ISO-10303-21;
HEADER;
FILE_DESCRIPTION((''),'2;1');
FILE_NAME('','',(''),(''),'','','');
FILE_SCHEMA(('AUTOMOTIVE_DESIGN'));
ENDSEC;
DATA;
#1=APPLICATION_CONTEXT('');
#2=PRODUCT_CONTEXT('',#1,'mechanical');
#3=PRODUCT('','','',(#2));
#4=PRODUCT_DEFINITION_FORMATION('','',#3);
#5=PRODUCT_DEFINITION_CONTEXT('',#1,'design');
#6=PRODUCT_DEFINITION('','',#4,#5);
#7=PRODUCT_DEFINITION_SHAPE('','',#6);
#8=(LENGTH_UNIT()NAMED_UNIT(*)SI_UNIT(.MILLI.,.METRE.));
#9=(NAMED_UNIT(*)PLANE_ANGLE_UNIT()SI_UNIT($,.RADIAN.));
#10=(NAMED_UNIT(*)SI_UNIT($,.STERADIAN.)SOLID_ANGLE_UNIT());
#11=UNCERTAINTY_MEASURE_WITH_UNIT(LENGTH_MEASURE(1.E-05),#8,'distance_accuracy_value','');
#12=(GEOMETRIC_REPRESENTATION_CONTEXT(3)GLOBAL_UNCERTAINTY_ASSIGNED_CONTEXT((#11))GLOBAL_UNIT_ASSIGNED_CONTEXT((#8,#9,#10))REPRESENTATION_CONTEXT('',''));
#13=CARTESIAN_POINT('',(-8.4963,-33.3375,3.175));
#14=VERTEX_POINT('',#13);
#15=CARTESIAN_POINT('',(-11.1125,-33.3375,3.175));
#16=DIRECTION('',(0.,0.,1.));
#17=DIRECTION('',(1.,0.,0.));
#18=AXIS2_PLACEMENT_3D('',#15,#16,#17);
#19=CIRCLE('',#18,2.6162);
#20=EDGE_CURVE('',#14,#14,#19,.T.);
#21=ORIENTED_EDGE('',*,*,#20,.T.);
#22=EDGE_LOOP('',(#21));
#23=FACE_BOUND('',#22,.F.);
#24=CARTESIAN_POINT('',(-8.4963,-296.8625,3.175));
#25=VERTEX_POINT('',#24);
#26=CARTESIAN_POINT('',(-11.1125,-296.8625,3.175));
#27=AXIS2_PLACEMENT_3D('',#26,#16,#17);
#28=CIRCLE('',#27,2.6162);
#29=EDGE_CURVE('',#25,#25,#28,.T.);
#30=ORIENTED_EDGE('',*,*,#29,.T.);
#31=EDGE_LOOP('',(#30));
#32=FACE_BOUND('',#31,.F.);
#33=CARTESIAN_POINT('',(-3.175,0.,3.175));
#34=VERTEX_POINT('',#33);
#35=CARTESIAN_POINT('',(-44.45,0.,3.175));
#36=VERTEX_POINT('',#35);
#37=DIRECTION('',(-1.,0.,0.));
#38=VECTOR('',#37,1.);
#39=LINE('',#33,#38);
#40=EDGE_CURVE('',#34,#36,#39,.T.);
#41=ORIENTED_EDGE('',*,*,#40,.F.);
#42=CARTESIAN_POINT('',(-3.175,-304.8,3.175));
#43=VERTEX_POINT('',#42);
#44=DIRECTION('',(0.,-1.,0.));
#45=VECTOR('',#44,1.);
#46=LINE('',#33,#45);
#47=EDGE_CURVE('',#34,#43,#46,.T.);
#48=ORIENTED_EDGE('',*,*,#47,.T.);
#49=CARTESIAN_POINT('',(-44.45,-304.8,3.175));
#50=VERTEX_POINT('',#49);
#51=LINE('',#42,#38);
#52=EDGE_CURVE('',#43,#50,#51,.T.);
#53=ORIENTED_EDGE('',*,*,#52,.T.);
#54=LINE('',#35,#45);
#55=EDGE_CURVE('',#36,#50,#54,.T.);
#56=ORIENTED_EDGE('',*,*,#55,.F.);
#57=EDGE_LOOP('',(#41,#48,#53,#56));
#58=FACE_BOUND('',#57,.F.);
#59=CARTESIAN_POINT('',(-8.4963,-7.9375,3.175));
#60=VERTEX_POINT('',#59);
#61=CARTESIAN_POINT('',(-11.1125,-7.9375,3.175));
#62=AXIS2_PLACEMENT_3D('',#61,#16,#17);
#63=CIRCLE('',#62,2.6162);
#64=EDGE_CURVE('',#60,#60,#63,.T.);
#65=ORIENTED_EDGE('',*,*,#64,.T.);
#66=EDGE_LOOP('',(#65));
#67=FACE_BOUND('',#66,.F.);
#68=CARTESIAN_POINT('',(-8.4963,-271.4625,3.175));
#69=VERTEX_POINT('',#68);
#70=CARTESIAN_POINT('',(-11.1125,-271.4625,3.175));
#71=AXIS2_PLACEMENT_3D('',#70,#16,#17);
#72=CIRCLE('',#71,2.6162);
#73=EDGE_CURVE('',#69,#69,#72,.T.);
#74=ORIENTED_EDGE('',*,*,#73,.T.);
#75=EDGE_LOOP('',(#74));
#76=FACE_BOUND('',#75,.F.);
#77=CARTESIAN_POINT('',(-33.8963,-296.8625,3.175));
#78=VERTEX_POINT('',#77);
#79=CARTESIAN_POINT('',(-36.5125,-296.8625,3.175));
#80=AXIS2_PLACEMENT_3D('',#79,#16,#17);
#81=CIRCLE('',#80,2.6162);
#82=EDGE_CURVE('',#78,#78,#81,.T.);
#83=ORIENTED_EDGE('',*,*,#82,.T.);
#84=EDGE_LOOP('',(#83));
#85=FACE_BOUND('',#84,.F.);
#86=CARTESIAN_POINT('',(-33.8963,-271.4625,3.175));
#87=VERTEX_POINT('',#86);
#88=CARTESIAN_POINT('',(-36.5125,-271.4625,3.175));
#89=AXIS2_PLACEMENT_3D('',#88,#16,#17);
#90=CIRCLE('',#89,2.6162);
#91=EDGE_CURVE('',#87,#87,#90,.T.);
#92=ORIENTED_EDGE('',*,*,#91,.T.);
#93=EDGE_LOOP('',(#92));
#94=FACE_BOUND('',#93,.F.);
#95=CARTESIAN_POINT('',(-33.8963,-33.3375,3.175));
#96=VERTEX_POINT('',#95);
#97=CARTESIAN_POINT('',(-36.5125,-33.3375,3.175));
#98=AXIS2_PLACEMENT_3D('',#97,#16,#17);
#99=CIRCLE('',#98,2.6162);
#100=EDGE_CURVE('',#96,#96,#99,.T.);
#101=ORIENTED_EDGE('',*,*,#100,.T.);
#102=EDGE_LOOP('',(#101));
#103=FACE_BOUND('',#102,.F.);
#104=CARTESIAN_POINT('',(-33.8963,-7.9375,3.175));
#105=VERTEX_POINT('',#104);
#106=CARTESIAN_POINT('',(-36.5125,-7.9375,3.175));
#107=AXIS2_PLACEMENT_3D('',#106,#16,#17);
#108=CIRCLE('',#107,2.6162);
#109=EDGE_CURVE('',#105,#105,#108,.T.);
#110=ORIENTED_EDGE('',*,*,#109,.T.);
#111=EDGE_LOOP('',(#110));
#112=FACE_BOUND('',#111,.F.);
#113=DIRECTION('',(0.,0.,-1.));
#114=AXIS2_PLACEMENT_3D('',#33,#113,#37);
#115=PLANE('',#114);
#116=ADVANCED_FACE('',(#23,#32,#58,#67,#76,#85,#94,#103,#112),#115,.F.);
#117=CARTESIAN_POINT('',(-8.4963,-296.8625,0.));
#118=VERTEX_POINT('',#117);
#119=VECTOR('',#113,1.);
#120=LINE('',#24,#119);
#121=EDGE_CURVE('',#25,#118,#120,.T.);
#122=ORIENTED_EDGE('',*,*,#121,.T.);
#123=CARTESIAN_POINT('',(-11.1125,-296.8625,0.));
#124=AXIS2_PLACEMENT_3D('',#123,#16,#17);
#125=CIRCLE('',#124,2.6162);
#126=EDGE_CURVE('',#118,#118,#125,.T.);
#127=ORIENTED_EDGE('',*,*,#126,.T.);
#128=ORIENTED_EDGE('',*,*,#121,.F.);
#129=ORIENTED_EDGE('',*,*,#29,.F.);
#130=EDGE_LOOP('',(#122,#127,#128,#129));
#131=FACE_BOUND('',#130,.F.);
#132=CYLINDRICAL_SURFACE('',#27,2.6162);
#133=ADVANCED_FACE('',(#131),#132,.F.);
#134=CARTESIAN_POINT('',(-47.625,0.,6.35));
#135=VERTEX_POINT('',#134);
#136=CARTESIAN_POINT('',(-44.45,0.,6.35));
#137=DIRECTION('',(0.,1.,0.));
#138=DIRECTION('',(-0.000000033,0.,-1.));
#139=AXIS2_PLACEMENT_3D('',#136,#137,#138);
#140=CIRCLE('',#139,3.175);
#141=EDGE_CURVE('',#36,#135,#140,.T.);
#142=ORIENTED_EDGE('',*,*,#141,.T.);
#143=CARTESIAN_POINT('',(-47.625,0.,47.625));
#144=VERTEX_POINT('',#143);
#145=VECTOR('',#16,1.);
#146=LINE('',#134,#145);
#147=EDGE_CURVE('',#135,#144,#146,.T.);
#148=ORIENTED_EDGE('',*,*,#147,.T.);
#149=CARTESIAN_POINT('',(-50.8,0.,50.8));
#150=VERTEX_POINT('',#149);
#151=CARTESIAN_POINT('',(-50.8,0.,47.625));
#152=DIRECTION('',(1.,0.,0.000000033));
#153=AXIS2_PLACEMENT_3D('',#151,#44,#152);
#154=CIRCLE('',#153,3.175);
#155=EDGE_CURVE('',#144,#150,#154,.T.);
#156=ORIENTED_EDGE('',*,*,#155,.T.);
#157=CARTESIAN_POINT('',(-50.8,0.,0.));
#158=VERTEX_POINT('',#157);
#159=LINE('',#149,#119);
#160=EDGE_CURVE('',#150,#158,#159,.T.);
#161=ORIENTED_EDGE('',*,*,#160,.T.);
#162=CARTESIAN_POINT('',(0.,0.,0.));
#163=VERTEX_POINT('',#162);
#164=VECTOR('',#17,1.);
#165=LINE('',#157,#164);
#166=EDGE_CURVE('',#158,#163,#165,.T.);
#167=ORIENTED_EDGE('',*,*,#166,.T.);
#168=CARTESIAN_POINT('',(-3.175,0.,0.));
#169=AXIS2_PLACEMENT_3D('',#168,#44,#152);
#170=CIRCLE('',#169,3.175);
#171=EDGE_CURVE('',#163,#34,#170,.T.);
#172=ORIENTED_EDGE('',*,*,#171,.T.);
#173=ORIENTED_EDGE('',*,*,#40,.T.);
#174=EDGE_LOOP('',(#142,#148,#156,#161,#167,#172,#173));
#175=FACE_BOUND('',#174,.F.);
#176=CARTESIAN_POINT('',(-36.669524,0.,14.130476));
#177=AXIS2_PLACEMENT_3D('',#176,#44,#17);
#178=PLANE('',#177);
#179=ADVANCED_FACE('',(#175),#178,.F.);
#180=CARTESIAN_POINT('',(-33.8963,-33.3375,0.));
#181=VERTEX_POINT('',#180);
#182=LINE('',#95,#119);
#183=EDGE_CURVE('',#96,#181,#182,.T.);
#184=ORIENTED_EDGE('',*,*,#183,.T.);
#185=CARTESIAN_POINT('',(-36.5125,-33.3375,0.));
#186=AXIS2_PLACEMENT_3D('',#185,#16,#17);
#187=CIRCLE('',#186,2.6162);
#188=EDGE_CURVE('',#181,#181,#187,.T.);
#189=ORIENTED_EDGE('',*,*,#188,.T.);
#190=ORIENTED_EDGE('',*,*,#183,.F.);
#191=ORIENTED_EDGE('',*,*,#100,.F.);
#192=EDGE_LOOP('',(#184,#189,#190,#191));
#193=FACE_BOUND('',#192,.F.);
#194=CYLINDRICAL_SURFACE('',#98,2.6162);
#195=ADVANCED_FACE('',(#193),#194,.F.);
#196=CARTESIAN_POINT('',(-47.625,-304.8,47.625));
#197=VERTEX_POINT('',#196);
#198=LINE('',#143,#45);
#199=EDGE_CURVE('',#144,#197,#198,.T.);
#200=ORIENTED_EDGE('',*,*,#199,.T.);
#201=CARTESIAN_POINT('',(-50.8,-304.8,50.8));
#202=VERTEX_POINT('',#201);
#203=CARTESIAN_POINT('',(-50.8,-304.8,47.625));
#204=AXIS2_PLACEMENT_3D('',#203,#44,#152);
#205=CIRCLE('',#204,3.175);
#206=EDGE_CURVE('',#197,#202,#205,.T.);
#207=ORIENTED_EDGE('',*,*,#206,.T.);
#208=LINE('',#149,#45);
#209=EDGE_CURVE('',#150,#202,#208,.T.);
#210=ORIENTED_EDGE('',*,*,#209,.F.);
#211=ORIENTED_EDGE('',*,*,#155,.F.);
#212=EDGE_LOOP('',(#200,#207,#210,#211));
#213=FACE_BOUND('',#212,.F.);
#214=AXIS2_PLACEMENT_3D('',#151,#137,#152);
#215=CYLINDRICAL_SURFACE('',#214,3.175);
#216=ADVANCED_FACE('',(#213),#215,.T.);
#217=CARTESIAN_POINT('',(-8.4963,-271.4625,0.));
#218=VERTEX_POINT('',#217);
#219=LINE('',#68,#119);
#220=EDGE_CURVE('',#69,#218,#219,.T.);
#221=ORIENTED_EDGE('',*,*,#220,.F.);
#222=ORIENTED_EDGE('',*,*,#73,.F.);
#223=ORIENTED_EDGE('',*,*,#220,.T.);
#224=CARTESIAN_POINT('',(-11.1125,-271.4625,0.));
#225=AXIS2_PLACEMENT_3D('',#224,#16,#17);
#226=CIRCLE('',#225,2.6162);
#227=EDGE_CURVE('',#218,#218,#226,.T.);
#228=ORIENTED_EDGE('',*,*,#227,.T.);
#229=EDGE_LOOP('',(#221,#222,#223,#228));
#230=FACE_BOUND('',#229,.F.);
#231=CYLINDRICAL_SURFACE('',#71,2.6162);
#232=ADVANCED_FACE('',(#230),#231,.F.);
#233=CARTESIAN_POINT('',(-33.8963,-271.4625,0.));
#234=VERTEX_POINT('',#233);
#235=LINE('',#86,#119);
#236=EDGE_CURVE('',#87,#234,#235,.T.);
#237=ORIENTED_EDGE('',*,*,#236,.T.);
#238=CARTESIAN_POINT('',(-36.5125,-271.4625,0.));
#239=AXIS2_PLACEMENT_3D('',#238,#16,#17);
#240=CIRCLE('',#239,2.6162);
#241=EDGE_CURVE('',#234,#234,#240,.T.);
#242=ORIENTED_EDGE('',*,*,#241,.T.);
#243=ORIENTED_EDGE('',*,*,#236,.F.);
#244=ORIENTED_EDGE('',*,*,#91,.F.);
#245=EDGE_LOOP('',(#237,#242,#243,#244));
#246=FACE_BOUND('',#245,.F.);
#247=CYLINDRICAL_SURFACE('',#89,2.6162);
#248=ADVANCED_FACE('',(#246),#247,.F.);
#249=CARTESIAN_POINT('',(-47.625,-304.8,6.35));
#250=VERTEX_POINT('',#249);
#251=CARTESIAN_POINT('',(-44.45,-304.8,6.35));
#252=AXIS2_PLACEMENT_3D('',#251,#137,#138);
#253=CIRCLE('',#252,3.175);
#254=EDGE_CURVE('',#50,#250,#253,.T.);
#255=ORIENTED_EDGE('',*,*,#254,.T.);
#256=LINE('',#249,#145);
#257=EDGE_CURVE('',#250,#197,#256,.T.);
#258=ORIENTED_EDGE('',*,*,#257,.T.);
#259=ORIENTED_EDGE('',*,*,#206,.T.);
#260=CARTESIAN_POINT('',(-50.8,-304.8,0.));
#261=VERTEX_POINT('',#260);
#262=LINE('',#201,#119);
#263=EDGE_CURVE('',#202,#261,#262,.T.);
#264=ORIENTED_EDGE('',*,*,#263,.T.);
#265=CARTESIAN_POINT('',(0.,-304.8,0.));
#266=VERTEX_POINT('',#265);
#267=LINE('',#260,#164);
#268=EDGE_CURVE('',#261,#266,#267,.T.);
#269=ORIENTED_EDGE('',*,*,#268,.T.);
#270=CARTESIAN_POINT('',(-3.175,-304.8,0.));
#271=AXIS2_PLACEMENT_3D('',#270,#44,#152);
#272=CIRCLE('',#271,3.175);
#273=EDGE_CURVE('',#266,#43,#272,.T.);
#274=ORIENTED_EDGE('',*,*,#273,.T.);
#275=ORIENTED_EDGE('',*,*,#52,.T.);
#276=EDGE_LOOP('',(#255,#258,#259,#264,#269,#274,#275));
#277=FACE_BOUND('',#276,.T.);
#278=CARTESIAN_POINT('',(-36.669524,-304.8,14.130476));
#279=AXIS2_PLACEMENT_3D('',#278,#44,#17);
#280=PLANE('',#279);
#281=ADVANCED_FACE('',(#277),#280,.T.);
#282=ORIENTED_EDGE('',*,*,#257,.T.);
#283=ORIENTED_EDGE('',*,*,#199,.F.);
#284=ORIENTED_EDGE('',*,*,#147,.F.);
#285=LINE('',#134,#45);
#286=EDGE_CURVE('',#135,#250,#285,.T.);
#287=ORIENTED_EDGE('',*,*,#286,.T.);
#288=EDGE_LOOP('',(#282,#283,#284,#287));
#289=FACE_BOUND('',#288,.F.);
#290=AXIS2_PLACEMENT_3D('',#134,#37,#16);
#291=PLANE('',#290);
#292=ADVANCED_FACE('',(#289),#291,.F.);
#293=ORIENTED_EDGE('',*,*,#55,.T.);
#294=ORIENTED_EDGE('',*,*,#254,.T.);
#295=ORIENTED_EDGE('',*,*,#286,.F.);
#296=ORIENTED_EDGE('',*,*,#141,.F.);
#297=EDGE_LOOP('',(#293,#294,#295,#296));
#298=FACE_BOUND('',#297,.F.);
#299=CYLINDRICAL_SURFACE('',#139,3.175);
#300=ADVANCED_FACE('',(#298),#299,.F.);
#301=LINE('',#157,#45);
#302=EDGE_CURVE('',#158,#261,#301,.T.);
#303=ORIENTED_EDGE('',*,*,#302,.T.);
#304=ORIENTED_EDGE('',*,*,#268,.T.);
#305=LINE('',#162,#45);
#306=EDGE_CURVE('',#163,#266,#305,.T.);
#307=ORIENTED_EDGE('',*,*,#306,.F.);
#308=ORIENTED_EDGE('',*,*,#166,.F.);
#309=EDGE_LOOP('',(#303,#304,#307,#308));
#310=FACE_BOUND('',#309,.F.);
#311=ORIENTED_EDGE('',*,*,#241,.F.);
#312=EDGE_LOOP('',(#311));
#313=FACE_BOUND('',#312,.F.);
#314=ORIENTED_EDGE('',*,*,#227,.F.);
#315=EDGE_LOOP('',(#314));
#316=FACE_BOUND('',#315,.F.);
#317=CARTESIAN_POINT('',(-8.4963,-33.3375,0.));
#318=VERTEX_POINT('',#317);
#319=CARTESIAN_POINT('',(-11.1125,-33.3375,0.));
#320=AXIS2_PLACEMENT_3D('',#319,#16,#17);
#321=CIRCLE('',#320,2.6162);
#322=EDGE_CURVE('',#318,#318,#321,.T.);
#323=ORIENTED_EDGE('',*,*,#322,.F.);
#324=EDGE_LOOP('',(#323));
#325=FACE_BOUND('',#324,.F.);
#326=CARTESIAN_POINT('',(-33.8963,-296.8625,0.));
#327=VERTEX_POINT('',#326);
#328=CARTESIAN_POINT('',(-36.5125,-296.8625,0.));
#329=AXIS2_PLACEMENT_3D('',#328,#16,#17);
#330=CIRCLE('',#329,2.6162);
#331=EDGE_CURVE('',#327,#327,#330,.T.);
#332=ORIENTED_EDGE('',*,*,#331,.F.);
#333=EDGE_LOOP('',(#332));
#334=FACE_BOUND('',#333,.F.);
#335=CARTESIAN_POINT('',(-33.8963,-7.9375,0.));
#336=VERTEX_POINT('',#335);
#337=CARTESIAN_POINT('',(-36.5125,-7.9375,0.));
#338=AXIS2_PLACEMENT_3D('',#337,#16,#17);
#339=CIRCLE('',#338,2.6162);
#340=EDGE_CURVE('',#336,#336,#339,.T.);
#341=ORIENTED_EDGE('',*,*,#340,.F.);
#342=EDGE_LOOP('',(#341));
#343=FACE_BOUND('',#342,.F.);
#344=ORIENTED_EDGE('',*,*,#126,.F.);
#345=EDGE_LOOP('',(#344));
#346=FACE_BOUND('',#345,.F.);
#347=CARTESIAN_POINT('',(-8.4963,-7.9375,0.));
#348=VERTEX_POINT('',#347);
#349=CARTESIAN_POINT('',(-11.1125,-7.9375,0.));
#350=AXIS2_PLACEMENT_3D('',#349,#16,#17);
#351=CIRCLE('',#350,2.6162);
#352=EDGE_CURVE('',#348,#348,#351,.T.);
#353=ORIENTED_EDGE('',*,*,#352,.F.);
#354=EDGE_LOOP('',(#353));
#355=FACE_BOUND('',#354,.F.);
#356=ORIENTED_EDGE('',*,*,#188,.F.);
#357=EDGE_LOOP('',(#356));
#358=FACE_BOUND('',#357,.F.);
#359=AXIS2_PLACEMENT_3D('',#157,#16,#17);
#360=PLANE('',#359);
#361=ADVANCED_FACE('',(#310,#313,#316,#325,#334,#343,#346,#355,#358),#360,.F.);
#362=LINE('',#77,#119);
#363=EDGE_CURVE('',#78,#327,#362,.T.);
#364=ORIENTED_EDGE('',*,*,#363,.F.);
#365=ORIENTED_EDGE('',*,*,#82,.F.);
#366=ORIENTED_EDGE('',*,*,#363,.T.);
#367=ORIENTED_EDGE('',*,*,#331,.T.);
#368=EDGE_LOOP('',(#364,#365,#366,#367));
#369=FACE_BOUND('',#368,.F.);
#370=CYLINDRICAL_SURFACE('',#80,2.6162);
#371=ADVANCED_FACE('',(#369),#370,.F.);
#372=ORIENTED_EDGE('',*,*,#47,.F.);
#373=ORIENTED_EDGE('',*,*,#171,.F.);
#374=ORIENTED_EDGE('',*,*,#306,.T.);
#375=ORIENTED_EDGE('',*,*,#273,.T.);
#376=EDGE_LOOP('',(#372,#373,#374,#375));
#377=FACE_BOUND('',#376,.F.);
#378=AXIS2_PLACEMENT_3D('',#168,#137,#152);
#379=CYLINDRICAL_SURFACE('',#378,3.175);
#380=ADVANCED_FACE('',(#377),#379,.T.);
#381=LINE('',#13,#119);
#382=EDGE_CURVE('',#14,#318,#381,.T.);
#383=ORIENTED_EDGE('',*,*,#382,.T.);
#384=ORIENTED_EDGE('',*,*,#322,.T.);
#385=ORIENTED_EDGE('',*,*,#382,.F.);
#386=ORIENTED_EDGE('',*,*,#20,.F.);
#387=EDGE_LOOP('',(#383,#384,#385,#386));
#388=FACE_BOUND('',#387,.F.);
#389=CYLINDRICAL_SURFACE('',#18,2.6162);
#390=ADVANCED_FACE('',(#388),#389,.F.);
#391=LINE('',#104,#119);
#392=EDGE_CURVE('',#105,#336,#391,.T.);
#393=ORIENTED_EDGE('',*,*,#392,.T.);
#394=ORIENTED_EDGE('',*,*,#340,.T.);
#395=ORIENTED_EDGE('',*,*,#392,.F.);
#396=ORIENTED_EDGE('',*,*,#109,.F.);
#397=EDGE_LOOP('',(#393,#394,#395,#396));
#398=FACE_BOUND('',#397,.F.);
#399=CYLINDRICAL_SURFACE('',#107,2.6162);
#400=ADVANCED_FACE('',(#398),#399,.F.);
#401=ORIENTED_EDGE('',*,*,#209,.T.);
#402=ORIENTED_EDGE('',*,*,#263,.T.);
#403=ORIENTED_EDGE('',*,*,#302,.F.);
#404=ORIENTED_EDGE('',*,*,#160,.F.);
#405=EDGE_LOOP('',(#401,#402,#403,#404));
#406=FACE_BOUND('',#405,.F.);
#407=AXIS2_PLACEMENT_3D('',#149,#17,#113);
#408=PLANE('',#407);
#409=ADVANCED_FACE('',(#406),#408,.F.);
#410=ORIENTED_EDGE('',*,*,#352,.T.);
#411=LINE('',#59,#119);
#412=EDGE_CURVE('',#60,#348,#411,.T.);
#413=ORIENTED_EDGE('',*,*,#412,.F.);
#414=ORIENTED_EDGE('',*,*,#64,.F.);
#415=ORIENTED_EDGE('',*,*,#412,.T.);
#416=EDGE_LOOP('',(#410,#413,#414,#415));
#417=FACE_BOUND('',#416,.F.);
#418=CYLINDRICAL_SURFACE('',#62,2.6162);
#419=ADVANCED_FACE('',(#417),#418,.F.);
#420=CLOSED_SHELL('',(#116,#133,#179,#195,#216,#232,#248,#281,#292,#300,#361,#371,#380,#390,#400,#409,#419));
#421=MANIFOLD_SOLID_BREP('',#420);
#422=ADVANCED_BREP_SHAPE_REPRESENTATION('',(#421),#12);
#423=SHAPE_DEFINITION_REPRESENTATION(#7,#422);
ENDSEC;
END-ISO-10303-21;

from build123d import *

# Parameters (mm, degrees)
F1_DEPTH = 304.8
F2_R     = 2.6162
F3_DEPTH = 3.176


with BuildPart() as f1:
    # F0 (on Front) → F1 (new body)
    with BuildSketch(Plane.XZ):
        with BuildLine():
            Line((-50.8, 0), (0, 0))
            ThreePointArc((0, 0), (-0.929936, 2.245064), (-3.175, 3.175))
            Line((-3.175, 3.175), (-44.45, 3.175))
            ThreePointArc((-44.45, 3.175), (-46.695064, 4.104936), (-47.625, 6.35))
            Line((-47.625, 6.35), (-47.625, 47.625))
            ThreePointArc((-47.625, 47.625), (-48.554936, 49.870064), (-50.8, 50.8))
            Line((-50.8, 50.8), (-50.8, 0))
        make_face()
    extrude(amount=F1_DEPTH)

    # F2 (on face) → F3 (cut, through all)
    with BuildSketch(Plane.XY.offset(3.175)):
        with Locations((-36.5125, -296.8625)):
            Circle(F2_R)
        with Locations((-36.5125, -7.9375)):
            Circle(F2_R)
        with Locations((-11.1125, -7.9375)):
            Circle(F2_R)
        with Locations((-36.5125, -33.3375)):
            Circle(F2_R)
        with Locations((-11.1125, -33.3375)):
            Circle(F2_R)
        with Locations((-36.5125, -271.4625)):
            Circle(F2_R)
        with Locations((-11.1125, -296.8625)):
            Circle(F2_R)
        with Locations((-11.1125, -271.4625)):
            Circle(F2_R)
    extrude(amount=-F3_DEPTH, mode=Mode.SUBTRACT)


solid = f1.part
